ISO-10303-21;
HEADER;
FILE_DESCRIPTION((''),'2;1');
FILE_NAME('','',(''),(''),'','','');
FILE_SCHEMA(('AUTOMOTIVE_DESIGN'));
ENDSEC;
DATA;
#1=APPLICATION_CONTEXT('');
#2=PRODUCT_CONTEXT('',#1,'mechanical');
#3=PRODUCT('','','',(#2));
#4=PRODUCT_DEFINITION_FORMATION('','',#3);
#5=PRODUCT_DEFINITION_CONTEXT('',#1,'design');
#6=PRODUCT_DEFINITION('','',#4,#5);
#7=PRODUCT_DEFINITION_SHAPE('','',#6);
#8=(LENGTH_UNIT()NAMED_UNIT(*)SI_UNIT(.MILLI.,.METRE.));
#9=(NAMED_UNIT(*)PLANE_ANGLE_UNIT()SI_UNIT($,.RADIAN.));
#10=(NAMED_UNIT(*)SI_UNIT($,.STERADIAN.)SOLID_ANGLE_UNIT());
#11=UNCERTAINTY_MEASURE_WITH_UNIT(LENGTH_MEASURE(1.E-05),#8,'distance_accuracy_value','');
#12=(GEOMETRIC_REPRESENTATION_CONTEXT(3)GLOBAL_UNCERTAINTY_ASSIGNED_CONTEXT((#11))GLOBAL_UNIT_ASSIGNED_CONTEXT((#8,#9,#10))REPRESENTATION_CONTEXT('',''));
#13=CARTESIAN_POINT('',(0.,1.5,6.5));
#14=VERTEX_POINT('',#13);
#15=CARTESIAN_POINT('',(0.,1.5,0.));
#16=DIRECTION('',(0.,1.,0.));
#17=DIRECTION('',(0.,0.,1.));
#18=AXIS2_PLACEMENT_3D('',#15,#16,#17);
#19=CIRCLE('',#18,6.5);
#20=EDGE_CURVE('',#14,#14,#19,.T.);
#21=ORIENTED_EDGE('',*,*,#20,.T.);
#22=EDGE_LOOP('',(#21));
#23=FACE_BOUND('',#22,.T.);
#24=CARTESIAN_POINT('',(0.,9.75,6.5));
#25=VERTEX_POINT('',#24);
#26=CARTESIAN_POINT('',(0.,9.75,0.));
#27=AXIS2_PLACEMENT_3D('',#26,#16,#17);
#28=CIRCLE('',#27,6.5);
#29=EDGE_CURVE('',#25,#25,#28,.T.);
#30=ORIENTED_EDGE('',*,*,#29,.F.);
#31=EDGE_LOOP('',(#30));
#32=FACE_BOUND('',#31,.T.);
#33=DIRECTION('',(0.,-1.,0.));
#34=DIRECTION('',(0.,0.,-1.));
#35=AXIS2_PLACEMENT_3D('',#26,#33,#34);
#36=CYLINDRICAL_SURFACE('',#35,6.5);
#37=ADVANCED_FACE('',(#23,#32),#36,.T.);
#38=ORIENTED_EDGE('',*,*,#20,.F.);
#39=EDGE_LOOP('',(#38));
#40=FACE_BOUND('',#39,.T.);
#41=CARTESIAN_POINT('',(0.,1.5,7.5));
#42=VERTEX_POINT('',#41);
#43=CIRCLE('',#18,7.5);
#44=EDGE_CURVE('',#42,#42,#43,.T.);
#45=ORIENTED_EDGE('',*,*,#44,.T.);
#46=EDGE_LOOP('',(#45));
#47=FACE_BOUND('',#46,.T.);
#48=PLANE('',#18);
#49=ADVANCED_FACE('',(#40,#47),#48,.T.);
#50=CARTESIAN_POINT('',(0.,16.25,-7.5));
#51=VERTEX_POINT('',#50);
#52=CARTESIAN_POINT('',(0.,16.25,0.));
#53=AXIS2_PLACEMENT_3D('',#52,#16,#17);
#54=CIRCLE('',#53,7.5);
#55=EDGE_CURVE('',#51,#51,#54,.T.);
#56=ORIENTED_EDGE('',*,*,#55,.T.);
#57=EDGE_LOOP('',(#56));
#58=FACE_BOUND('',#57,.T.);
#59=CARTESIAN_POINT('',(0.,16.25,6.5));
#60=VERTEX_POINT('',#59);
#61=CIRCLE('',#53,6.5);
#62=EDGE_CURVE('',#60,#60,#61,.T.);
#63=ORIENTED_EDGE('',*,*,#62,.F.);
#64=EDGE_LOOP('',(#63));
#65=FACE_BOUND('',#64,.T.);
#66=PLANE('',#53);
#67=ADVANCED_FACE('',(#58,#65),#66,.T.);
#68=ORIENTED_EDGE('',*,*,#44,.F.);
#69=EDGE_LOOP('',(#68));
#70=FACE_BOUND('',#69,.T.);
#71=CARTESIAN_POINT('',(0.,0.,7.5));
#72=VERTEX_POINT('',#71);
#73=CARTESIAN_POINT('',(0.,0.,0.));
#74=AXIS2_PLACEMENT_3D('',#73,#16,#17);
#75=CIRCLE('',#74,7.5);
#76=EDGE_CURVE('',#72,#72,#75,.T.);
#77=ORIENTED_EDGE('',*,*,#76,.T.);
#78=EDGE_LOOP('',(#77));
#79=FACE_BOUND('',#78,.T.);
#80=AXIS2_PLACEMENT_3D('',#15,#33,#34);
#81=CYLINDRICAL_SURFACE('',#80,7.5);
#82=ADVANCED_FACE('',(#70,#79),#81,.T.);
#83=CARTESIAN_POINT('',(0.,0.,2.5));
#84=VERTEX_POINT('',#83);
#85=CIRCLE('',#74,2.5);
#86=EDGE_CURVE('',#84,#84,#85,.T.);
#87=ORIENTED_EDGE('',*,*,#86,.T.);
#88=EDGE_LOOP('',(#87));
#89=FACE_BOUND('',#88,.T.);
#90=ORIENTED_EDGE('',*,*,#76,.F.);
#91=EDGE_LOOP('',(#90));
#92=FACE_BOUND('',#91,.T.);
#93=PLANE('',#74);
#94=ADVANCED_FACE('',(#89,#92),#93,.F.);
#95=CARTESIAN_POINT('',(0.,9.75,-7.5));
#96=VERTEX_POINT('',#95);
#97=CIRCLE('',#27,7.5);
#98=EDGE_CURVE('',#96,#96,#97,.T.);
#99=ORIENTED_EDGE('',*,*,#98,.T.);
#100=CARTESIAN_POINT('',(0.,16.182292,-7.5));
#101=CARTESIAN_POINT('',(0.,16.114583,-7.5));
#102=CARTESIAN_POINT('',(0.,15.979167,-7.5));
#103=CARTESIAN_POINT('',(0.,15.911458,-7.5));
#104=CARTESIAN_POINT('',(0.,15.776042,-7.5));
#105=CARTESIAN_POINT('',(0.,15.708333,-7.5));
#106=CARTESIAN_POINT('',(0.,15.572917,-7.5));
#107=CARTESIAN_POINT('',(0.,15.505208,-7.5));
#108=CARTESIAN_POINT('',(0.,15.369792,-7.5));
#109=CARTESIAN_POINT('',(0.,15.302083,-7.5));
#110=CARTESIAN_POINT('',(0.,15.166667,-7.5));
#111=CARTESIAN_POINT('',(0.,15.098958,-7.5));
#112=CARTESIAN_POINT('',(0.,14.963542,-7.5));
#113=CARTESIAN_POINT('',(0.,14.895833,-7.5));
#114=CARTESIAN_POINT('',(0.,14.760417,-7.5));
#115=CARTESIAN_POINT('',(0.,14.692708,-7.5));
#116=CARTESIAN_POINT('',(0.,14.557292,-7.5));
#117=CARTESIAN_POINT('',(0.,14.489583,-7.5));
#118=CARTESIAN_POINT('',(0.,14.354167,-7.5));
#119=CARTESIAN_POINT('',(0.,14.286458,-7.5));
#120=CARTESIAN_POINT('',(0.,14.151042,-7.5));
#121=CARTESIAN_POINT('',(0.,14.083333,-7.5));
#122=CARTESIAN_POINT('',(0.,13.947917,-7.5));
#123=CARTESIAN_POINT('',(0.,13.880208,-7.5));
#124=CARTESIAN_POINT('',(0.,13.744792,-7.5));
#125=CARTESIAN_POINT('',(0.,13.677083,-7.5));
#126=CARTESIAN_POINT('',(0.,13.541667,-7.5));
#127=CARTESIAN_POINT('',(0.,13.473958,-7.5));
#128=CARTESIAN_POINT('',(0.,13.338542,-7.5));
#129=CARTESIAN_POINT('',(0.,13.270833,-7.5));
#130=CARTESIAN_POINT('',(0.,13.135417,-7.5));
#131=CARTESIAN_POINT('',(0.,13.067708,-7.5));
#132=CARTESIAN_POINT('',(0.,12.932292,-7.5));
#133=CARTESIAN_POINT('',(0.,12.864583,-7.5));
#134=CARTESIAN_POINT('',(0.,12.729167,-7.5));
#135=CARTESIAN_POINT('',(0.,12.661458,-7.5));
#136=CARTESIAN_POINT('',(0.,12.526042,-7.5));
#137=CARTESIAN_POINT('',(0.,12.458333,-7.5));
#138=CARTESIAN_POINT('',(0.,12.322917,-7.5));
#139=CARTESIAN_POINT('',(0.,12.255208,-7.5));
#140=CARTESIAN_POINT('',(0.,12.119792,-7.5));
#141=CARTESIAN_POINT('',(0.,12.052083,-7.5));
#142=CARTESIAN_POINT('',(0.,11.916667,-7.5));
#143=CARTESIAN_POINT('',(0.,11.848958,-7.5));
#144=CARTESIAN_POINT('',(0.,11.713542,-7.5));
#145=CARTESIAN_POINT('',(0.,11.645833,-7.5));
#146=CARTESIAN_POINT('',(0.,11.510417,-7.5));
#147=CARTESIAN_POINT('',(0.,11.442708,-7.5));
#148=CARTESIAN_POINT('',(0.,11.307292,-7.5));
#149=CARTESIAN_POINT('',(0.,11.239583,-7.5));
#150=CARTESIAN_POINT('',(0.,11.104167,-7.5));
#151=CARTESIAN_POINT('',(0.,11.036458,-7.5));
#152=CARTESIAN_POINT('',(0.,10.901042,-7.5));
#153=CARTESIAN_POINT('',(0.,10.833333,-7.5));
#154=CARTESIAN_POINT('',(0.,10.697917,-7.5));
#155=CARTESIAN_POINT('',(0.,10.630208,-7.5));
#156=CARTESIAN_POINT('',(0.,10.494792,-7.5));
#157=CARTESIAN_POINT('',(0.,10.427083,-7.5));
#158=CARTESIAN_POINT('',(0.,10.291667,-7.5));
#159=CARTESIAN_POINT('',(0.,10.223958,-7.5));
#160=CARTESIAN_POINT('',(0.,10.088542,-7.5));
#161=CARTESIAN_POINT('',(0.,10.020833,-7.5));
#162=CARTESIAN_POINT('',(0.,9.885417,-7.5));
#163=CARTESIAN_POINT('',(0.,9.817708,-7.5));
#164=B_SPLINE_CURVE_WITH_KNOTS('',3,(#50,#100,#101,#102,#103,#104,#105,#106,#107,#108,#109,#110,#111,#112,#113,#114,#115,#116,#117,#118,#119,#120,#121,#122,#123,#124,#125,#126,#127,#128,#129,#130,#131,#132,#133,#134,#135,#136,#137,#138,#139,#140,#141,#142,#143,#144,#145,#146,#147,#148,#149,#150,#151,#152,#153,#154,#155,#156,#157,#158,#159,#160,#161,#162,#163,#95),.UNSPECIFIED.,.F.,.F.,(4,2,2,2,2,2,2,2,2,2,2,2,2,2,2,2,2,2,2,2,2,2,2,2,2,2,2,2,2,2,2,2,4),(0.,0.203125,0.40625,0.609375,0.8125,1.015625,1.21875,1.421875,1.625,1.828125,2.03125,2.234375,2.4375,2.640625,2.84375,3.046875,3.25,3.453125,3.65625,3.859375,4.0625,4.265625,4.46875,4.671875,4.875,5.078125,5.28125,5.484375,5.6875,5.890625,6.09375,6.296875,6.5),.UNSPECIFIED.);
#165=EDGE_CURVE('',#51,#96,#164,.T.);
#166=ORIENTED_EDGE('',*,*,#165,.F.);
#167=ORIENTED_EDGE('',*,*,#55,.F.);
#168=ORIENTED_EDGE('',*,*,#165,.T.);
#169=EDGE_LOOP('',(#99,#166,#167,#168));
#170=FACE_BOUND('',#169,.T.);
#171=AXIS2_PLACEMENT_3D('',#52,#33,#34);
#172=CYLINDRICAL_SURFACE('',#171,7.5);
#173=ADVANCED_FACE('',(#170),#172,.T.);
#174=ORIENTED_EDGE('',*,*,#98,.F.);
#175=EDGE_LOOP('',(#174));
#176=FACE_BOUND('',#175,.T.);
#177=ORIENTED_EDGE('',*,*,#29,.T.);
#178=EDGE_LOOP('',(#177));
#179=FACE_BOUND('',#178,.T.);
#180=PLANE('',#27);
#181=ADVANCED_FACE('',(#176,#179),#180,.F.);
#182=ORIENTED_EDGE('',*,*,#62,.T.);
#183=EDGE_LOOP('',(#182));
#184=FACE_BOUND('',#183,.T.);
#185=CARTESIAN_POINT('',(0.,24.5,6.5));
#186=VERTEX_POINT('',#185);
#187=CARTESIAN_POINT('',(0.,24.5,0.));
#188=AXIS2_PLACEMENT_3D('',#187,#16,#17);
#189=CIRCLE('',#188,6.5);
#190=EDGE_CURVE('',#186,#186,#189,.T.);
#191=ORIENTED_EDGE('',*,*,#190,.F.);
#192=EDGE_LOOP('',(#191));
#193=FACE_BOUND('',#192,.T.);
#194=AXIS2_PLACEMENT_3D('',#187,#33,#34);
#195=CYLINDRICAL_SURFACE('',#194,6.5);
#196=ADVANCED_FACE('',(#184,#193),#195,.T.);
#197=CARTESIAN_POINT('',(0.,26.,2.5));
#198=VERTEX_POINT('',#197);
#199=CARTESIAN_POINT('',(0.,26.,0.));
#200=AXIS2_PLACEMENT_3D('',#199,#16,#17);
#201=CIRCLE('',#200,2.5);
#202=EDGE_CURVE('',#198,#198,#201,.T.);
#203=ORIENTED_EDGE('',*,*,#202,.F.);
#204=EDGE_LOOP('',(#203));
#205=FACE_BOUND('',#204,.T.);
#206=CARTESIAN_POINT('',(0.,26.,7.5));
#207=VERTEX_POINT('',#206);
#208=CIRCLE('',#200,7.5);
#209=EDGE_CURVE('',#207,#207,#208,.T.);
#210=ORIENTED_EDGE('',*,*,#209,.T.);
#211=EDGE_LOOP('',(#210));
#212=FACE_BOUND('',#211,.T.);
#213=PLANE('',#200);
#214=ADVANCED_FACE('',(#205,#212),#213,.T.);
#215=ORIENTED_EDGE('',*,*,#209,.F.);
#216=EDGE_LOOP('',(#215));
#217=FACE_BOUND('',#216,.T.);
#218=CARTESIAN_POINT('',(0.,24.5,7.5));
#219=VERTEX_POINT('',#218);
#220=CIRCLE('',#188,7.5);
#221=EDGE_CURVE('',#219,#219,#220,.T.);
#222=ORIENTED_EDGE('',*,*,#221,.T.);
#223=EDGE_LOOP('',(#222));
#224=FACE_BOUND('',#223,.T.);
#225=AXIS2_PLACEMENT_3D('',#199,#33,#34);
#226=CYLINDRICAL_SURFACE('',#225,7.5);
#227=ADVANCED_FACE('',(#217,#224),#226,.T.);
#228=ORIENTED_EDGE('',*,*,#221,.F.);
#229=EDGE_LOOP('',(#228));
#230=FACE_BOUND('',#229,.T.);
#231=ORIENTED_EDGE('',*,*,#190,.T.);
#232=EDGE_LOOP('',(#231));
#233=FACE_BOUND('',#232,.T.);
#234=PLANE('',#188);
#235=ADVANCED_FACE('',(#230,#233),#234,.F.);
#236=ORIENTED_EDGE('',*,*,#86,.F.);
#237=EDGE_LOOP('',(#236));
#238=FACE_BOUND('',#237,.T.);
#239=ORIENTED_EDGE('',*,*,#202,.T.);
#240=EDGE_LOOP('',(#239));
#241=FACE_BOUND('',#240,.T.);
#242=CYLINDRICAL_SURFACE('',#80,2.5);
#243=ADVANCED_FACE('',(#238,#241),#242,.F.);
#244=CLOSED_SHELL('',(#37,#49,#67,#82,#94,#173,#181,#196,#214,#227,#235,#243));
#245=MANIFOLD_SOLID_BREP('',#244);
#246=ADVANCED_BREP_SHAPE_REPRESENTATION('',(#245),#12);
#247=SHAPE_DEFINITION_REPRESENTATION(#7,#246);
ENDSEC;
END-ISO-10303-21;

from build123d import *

# Parameters (mm, degrees)
SKETCH1_R           = 7.5
SKETCH1_R_2         = 2.5
BOSS_EXTRUDE1_DEPTH = 1.5
SKETCH2_R           = 6.5
SKETCH2_R_2         = 2.5
BOSS_EXTRUDE2_DEPTH = 8.25
SKETCH3_R           = 7.5
SKETCH3_R_2         = 2.5
BOSS_EXTRUDE3_DEPTH = 6.5
SKETCH4_R           = 6.5
SKETCH4_R_2         = 2.5
BOSS_EXTRUDE4_DEPTH = 8.25
SKETCH5_R           = 7.5
SKETCH5_R_2         = 2.5
BOSS_EXTRUDE5_DEPTH = 1.5


with BuildPart() as part:
    # Sketch1 → Boss-Extrude1 (new body)
    with BuildSketch(Plane(origin=(0, 0, 0), x_dir=(1, 0, 0), z_dir=(0, 1, 0))):
        with Locations(Location((0, 0, 0), (0, 0, 270))):
            Circle(SKETCH1_R)
        with Locations(Location((0, 0, 0), (0, 0, 270))):
            Circle(SKETCH1_R_2, mode=Mode.SUBTRACT)
    extrude(amount=BOSS_EXTRUDE1_DEPTH)

    # Sketch2 → Boss-Extrude2 (add)
    with BuildSketch(Plane(origin=(0, 1.5, 0), x_dir=(1, 0, 0), z_dir=(0, 1, 0))):
        with Locations(Location((0, 0, 0), (0, 0, 270))):
            Circle(SKETCH2_R)
        with Locations(Location((0, 0, 0), (0, 0, 270))):
            Circle(SKETCH2_R_2, mode=Mode.SUBTRACT)
    extrude(amount=BOSS_EXTRUDE2_DEPTH)

    # Sketch3 → Boss-Extrude3 (add)
    with BuildSketch(Plane(origin=(0, 9.75, 0), x_dir=(1, 0, 0), z_dir=(0, 1, 0))):
        with Locations(Location((0, 0, 0), (0, 0, 270))):
            Circle(SKETCH3_R)
        with Locations(Location((0, 0, 0), (0, 0, 270))):
            Circle(SKETCH3_R_2, mode=Mode.SUBTRACT)
    extrude(amount=BOSS_EXTRUDE3_DEPTH)

    # Sketch4 → Boss-Extrude4 (add)
    with BuildSketch(Plane(origin=(0, 16.25, 0), x_dir=(1, 0, 0), z_dir=(0, 1, 0))):
        with Locations(Location((0, 0, 0), (0, 0, 270))):
            Circle(SKETCH4_R)
        with Locations(Location((0, 0, 0), (0, 0, 270))):
            Circle(SKETCH4_R_2, mode=Mode.SUBTRACT)
    extrude(amount=BOSS_EXTRUDE4_DEPTH)

    # Sketch5 → Boss-Extrude5 (add)
    with BuildSketch(Plane(origin=(0, 24.5, 0), x_dir=(1, 0, 0), z_dir=(0, 1, 0))):
        with Locations(Location((0, 0, 0), (0, 0, 270))):
            Circle(SKETCH5_R)
        with Locations(Location((0, 0, 0), (0, 0, 270))):
            Circle(SKETCH5_R_2, mode=Mode.SUBTRACT)
    extrude(amount=BOSS_EXTRUDE5_DEPTH)


solid = part.part
